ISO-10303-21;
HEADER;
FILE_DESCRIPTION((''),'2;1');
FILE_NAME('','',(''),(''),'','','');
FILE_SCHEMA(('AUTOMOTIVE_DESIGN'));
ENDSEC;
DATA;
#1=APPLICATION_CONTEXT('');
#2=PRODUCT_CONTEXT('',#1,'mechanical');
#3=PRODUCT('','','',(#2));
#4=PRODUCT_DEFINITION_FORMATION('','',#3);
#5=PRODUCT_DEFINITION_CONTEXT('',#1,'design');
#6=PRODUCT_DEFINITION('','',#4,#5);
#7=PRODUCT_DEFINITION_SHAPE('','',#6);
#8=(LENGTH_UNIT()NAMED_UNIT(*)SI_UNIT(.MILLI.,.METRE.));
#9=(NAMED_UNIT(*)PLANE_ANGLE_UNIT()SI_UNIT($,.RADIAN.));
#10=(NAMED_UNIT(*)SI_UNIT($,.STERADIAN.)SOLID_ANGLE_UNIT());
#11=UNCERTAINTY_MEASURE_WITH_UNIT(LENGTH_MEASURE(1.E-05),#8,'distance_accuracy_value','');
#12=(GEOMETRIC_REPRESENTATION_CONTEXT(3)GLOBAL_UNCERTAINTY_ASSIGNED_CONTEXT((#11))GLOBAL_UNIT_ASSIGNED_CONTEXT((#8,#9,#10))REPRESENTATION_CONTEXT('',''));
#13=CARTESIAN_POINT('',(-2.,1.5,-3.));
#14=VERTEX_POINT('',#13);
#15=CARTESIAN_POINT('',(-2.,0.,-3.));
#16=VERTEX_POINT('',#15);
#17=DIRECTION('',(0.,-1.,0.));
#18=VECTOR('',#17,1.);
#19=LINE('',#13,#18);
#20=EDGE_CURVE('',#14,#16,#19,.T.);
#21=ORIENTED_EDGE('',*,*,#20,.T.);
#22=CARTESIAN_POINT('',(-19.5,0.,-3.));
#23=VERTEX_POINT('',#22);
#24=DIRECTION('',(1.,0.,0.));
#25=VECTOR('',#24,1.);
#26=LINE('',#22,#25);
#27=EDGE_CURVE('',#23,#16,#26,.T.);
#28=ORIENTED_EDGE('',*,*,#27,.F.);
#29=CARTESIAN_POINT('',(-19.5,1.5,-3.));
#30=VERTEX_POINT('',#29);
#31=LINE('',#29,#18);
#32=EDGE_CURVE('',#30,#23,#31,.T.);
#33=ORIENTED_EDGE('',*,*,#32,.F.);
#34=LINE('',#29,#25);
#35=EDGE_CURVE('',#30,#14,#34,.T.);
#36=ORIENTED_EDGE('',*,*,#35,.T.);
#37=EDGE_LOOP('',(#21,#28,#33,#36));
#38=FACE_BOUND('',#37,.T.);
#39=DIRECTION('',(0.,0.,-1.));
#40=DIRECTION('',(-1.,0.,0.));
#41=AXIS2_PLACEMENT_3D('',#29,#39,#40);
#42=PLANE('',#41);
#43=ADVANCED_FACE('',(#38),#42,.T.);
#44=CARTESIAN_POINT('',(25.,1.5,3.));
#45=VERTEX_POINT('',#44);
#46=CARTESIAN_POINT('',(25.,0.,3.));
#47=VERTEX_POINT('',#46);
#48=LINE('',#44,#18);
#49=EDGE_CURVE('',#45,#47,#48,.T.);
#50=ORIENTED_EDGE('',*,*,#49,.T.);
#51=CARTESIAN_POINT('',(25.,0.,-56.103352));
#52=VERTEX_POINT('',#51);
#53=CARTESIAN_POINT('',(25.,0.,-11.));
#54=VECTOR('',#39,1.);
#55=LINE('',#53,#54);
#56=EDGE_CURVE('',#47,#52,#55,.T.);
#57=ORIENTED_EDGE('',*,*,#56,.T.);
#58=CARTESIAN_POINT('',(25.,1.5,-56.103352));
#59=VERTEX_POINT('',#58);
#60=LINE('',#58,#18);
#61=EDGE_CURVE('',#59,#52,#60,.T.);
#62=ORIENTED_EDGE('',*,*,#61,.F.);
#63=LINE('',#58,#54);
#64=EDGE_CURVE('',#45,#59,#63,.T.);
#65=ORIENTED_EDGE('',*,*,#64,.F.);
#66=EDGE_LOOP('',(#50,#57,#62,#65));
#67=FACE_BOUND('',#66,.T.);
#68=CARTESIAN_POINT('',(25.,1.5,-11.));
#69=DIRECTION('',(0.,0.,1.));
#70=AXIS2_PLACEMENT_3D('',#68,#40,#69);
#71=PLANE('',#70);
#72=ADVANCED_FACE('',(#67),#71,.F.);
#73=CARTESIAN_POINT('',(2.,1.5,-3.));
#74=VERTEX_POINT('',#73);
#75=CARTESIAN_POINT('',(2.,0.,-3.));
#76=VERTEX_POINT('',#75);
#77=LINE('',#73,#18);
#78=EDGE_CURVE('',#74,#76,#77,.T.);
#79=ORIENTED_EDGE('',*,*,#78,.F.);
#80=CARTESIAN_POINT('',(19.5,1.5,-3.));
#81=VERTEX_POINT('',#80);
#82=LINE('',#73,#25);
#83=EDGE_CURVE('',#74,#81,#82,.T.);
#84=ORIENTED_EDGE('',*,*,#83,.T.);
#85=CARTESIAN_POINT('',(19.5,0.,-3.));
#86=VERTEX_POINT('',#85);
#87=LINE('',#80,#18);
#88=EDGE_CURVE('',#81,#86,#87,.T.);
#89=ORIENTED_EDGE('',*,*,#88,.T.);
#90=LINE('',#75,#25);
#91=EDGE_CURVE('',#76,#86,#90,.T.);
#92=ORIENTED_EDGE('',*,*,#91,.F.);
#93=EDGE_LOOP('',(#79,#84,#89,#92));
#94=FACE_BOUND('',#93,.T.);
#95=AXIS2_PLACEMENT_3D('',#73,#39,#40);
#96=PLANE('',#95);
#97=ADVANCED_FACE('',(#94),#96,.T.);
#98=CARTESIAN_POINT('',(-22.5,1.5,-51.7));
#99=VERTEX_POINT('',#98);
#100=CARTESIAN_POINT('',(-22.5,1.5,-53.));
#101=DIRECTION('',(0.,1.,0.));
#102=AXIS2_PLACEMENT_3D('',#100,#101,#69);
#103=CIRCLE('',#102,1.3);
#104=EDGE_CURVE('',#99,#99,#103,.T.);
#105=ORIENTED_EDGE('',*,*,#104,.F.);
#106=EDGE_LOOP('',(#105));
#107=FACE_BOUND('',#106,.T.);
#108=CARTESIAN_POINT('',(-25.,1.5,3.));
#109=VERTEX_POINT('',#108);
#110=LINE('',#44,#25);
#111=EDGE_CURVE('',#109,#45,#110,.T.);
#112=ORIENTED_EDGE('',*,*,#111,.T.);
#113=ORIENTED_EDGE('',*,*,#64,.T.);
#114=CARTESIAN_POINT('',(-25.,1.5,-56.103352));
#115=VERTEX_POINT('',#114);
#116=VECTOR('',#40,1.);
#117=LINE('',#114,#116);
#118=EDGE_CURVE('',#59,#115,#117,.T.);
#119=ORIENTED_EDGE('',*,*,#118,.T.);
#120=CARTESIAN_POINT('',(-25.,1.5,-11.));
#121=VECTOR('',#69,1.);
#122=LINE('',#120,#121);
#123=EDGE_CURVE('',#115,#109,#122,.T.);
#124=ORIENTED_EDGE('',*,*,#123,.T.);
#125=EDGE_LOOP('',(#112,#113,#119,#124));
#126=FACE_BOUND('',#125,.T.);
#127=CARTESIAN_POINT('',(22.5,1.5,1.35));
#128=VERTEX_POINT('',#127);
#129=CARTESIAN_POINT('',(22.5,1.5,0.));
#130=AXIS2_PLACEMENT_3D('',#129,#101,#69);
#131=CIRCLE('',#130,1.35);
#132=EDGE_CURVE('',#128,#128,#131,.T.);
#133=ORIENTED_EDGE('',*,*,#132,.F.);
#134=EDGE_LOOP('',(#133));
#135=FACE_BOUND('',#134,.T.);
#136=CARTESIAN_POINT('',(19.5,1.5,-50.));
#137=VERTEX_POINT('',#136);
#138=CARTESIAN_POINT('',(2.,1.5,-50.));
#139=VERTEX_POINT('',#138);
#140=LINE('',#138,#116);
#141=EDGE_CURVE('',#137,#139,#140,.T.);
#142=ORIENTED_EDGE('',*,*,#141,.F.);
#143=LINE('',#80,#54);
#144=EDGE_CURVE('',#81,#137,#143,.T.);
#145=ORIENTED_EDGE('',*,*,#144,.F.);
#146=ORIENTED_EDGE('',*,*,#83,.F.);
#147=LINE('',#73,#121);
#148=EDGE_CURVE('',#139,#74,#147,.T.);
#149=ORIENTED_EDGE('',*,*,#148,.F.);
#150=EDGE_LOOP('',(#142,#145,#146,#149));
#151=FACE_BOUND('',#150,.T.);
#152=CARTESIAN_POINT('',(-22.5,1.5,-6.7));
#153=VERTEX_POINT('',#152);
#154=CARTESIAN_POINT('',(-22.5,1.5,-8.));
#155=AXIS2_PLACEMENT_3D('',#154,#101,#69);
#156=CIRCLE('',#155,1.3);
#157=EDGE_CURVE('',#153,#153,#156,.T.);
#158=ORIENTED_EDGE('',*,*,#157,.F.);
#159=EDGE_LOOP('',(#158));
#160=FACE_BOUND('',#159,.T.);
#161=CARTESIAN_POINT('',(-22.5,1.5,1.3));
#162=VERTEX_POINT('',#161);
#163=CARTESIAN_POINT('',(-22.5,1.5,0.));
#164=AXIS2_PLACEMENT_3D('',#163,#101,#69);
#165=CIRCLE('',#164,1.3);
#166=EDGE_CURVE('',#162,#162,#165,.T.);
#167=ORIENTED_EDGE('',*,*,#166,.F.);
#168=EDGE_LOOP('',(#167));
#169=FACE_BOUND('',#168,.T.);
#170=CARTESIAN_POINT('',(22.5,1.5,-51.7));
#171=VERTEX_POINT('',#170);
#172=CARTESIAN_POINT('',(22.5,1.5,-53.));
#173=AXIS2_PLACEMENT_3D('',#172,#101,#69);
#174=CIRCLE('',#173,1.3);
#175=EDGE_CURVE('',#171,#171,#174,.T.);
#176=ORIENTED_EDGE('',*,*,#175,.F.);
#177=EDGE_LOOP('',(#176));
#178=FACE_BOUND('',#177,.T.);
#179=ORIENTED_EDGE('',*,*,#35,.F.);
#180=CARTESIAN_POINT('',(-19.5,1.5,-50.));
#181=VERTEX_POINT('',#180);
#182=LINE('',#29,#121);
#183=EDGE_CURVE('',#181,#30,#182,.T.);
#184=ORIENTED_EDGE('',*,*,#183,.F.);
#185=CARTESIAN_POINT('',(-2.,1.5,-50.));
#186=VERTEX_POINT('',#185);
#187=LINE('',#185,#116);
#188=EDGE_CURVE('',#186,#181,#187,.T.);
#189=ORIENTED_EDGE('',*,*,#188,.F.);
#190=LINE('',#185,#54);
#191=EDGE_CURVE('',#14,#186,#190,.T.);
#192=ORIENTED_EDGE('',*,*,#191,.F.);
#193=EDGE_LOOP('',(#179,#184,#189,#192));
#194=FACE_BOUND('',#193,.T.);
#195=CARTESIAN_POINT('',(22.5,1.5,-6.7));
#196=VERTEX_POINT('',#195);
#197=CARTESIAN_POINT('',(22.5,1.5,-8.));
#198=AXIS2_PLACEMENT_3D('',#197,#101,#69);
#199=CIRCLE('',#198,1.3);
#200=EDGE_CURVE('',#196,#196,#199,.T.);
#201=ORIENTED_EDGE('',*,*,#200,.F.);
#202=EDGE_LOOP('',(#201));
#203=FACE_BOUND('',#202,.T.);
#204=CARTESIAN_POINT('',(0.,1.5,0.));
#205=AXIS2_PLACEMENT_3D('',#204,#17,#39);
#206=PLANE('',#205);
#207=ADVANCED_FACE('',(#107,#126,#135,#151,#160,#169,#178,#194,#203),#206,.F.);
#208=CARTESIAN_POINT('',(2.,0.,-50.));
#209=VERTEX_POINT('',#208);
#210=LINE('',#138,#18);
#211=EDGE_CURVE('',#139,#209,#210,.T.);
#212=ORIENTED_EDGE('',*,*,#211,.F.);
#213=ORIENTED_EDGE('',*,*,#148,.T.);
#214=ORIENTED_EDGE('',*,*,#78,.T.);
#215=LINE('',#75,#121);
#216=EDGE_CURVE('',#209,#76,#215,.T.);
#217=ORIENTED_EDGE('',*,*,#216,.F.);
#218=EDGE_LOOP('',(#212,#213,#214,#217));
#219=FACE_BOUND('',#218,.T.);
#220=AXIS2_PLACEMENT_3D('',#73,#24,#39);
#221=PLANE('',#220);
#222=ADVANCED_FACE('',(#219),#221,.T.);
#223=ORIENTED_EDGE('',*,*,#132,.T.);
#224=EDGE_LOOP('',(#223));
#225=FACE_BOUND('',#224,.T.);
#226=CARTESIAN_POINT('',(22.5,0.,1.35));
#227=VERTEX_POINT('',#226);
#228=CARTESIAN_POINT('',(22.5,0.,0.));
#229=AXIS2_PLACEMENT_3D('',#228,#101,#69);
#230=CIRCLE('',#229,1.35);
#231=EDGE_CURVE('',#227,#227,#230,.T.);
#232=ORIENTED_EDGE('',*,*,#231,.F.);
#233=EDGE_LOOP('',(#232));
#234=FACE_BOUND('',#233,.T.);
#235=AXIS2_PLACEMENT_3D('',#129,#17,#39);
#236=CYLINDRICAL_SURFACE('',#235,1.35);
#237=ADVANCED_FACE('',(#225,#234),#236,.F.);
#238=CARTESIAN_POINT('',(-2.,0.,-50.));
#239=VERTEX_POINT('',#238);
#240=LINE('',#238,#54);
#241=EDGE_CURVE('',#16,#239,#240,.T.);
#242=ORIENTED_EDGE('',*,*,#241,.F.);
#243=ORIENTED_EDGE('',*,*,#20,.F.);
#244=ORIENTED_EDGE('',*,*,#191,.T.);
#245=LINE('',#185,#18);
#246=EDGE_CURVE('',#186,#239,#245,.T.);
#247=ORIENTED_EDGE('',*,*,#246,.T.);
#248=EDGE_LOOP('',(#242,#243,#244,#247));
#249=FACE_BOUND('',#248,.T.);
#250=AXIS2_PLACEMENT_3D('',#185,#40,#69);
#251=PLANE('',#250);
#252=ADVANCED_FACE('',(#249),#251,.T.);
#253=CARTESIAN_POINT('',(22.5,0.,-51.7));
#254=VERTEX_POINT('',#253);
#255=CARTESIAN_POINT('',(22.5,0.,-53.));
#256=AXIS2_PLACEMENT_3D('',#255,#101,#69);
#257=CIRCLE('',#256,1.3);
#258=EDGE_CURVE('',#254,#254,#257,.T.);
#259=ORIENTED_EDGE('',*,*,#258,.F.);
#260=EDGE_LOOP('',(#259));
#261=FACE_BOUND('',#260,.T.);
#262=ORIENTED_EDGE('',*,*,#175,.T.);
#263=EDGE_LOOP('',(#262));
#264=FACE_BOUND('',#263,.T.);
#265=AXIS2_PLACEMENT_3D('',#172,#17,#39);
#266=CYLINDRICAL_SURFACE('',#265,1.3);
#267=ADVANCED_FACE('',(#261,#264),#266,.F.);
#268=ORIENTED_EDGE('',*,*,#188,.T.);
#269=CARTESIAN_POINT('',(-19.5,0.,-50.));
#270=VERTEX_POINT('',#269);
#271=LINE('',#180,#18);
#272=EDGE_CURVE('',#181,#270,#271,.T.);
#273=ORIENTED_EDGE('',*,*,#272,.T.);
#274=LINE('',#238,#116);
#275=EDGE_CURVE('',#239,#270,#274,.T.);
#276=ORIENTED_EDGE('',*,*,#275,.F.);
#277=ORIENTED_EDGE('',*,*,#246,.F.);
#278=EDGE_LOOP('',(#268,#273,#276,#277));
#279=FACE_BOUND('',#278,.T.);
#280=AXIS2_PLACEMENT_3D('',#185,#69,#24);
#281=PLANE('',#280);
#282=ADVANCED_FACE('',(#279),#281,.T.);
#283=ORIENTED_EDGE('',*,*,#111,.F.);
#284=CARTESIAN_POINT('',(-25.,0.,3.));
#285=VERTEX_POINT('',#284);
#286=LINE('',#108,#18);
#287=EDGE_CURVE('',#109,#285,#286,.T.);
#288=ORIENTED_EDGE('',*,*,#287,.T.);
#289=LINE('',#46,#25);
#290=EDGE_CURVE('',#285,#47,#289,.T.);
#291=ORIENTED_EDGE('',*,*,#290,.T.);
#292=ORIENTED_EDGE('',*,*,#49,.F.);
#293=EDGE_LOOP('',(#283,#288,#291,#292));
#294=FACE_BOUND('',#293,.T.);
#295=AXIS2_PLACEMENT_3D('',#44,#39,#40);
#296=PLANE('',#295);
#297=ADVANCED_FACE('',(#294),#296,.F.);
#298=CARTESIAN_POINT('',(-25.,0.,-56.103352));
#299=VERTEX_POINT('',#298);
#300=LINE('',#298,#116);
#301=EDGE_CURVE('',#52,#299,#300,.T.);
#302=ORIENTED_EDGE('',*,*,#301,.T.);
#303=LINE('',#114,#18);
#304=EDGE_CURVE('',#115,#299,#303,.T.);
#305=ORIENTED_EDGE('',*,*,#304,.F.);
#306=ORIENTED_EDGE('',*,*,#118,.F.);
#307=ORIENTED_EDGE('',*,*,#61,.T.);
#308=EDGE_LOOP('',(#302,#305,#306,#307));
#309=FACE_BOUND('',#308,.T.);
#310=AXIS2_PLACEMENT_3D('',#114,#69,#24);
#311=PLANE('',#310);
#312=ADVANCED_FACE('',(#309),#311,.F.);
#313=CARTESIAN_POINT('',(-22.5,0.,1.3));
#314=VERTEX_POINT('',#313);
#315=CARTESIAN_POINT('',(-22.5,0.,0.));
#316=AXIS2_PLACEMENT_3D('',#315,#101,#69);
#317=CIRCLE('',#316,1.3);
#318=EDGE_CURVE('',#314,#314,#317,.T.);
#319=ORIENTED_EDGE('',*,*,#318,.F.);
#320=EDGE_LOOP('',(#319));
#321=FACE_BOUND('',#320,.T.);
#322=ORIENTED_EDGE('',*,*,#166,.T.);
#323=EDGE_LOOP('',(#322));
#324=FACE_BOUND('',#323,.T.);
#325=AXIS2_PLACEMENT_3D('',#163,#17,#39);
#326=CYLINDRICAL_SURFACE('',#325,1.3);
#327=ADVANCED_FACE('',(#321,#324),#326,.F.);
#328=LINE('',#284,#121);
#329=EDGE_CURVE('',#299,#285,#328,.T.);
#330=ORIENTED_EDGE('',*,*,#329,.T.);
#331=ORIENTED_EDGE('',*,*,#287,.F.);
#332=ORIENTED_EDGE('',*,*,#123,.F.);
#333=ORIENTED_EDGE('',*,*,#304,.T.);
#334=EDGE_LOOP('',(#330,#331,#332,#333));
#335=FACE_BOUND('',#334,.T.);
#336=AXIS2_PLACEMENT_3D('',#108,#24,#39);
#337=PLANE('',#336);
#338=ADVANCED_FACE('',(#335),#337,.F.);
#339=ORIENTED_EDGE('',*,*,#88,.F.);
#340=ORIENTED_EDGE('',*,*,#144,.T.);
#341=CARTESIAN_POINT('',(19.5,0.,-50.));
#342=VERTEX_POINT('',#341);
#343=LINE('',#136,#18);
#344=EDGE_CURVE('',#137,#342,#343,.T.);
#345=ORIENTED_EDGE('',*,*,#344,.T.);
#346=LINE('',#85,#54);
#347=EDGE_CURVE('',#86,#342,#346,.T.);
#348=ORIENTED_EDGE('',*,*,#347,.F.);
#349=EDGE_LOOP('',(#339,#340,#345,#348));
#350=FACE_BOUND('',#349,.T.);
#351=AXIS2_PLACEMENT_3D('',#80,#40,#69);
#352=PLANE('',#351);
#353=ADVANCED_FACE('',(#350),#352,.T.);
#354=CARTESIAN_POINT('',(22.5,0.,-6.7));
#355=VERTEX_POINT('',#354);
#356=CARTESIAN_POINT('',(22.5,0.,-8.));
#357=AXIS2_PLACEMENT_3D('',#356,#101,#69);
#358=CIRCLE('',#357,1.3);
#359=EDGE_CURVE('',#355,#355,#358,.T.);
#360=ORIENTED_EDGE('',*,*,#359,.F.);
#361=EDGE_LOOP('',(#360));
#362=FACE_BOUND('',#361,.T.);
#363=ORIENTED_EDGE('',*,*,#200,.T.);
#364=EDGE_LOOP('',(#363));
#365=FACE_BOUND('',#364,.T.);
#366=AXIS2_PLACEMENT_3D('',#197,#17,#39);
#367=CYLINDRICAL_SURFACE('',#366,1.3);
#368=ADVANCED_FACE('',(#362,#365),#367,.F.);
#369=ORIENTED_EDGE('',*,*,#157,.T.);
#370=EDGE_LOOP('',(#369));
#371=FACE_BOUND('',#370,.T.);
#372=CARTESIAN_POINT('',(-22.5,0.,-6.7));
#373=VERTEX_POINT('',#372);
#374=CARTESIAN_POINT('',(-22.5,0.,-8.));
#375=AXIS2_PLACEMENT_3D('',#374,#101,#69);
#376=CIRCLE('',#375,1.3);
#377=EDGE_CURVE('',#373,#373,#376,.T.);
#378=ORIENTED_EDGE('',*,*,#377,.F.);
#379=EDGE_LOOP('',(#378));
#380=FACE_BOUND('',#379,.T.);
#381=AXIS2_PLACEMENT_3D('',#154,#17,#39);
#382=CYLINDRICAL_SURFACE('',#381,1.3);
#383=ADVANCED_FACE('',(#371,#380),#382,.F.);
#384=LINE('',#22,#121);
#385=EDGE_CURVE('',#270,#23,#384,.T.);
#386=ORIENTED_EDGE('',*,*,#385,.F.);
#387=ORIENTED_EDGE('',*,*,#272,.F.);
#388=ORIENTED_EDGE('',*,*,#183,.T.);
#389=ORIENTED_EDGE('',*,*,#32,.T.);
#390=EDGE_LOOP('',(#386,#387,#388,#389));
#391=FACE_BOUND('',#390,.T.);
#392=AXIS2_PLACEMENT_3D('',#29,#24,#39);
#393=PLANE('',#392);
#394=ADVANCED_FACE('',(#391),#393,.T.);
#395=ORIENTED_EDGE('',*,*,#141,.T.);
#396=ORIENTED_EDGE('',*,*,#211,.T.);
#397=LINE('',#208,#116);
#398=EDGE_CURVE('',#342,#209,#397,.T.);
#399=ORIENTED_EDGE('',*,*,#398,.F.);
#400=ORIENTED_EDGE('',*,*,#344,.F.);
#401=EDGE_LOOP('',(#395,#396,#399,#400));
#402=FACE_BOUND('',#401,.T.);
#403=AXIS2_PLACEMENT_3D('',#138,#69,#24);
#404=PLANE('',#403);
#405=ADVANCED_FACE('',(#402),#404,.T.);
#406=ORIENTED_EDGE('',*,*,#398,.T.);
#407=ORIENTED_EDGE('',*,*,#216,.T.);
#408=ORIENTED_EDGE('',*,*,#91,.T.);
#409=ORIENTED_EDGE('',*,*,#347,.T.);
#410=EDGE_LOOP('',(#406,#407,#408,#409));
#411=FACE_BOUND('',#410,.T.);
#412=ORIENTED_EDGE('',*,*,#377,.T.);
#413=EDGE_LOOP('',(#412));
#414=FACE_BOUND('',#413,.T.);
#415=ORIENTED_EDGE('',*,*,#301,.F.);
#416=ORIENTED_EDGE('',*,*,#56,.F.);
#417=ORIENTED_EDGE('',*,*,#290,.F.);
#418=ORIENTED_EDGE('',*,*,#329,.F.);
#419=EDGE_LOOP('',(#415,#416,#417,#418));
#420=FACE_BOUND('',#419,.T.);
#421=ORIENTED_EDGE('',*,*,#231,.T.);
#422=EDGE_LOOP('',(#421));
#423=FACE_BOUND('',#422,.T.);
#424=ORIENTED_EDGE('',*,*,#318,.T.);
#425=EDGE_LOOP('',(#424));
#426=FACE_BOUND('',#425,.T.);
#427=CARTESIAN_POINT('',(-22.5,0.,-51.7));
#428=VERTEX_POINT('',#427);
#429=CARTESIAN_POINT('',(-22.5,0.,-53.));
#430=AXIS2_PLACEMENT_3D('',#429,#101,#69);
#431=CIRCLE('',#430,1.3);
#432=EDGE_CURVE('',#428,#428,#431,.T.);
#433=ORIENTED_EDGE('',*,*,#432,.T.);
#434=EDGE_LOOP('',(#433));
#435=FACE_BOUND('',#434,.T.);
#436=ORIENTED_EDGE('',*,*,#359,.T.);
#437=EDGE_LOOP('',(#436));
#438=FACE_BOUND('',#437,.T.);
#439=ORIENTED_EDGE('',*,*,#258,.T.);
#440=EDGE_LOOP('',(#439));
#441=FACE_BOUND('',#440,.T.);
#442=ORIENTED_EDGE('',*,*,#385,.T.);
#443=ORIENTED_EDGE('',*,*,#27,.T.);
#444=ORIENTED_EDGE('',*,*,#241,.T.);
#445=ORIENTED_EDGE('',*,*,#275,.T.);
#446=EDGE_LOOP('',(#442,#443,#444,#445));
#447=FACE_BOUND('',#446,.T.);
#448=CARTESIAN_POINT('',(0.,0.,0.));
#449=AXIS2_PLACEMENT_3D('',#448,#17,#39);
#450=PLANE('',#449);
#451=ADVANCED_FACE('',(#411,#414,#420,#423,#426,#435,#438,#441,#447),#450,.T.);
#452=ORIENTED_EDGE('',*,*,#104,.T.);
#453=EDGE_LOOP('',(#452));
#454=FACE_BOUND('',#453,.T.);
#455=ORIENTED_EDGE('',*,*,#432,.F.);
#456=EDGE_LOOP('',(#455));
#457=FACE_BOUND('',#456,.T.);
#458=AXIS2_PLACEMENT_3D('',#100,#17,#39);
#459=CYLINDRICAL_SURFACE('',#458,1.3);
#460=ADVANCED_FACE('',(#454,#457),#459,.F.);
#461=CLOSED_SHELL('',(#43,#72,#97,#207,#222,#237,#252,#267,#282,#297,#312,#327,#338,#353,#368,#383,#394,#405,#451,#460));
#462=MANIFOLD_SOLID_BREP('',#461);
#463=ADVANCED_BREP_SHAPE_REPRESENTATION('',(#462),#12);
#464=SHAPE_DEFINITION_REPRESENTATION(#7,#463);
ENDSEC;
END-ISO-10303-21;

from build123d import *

# Parameters (mm, degrees)
SKETCH_1_R      = 1.35
SKETCH_1_R_2    = 1.3
SKETCH_1_W      = 17.5
SKETCH_1_H      = 47
EXTRUDE_1_DEPTH = 1.5


with BuildPart() as part:
    # 草图1 → 凸台-拉伸1 (new body)
    with BuildSketch(Plane(origin=(0, 0, 0), x_dir=(1, 0, 0), z_dir=(0, 1, 0))):
        Polygon((25, 11), (25, -3), (-25, -3), (-25, 11), (-25, 56.10335237), (25, 56.10335237), align=None)
        with Locations((22.5, 0)):
            Circle(SKETCH_1_R, mode=Mode.SUBTRACT)
        with Locations((-22.5, 0)):
            Circle(SKETCH_1_R_2, mode=Mode.SUBTRACT)
        with Locations((-22.5, 8)):
            Circle(SKETCH_1_R_2, mode=Mode.SUBTRACT)
        with Locations((22.5, 8)):
            Circle(SKETCH_1_R_2, mode=Mode.SUBTRACT)
        with Locations((-22.5, 53)):
            Circle(SKETCH_1_R_2, mode=Mode.SUBTRACT)
        with Locations((22.5, 53)):
            Circle(SKETCH_1_R_2, mode=Mode.SUBTRACT)
        with Locations((10.75, 26.5)):
            Rectangle(SKETCH_1_W, SKETCH_1_H, mode=Mode.SUBTRACT)
        with Locations((-10.75, 26.5)):
            Rectangle(SKETCH_1_W, SKETCH_1_H, mode=Mode.SUBTRACT)
    extrude(amount=EXTRUDE_1_DEPTH)


solid = part.part
